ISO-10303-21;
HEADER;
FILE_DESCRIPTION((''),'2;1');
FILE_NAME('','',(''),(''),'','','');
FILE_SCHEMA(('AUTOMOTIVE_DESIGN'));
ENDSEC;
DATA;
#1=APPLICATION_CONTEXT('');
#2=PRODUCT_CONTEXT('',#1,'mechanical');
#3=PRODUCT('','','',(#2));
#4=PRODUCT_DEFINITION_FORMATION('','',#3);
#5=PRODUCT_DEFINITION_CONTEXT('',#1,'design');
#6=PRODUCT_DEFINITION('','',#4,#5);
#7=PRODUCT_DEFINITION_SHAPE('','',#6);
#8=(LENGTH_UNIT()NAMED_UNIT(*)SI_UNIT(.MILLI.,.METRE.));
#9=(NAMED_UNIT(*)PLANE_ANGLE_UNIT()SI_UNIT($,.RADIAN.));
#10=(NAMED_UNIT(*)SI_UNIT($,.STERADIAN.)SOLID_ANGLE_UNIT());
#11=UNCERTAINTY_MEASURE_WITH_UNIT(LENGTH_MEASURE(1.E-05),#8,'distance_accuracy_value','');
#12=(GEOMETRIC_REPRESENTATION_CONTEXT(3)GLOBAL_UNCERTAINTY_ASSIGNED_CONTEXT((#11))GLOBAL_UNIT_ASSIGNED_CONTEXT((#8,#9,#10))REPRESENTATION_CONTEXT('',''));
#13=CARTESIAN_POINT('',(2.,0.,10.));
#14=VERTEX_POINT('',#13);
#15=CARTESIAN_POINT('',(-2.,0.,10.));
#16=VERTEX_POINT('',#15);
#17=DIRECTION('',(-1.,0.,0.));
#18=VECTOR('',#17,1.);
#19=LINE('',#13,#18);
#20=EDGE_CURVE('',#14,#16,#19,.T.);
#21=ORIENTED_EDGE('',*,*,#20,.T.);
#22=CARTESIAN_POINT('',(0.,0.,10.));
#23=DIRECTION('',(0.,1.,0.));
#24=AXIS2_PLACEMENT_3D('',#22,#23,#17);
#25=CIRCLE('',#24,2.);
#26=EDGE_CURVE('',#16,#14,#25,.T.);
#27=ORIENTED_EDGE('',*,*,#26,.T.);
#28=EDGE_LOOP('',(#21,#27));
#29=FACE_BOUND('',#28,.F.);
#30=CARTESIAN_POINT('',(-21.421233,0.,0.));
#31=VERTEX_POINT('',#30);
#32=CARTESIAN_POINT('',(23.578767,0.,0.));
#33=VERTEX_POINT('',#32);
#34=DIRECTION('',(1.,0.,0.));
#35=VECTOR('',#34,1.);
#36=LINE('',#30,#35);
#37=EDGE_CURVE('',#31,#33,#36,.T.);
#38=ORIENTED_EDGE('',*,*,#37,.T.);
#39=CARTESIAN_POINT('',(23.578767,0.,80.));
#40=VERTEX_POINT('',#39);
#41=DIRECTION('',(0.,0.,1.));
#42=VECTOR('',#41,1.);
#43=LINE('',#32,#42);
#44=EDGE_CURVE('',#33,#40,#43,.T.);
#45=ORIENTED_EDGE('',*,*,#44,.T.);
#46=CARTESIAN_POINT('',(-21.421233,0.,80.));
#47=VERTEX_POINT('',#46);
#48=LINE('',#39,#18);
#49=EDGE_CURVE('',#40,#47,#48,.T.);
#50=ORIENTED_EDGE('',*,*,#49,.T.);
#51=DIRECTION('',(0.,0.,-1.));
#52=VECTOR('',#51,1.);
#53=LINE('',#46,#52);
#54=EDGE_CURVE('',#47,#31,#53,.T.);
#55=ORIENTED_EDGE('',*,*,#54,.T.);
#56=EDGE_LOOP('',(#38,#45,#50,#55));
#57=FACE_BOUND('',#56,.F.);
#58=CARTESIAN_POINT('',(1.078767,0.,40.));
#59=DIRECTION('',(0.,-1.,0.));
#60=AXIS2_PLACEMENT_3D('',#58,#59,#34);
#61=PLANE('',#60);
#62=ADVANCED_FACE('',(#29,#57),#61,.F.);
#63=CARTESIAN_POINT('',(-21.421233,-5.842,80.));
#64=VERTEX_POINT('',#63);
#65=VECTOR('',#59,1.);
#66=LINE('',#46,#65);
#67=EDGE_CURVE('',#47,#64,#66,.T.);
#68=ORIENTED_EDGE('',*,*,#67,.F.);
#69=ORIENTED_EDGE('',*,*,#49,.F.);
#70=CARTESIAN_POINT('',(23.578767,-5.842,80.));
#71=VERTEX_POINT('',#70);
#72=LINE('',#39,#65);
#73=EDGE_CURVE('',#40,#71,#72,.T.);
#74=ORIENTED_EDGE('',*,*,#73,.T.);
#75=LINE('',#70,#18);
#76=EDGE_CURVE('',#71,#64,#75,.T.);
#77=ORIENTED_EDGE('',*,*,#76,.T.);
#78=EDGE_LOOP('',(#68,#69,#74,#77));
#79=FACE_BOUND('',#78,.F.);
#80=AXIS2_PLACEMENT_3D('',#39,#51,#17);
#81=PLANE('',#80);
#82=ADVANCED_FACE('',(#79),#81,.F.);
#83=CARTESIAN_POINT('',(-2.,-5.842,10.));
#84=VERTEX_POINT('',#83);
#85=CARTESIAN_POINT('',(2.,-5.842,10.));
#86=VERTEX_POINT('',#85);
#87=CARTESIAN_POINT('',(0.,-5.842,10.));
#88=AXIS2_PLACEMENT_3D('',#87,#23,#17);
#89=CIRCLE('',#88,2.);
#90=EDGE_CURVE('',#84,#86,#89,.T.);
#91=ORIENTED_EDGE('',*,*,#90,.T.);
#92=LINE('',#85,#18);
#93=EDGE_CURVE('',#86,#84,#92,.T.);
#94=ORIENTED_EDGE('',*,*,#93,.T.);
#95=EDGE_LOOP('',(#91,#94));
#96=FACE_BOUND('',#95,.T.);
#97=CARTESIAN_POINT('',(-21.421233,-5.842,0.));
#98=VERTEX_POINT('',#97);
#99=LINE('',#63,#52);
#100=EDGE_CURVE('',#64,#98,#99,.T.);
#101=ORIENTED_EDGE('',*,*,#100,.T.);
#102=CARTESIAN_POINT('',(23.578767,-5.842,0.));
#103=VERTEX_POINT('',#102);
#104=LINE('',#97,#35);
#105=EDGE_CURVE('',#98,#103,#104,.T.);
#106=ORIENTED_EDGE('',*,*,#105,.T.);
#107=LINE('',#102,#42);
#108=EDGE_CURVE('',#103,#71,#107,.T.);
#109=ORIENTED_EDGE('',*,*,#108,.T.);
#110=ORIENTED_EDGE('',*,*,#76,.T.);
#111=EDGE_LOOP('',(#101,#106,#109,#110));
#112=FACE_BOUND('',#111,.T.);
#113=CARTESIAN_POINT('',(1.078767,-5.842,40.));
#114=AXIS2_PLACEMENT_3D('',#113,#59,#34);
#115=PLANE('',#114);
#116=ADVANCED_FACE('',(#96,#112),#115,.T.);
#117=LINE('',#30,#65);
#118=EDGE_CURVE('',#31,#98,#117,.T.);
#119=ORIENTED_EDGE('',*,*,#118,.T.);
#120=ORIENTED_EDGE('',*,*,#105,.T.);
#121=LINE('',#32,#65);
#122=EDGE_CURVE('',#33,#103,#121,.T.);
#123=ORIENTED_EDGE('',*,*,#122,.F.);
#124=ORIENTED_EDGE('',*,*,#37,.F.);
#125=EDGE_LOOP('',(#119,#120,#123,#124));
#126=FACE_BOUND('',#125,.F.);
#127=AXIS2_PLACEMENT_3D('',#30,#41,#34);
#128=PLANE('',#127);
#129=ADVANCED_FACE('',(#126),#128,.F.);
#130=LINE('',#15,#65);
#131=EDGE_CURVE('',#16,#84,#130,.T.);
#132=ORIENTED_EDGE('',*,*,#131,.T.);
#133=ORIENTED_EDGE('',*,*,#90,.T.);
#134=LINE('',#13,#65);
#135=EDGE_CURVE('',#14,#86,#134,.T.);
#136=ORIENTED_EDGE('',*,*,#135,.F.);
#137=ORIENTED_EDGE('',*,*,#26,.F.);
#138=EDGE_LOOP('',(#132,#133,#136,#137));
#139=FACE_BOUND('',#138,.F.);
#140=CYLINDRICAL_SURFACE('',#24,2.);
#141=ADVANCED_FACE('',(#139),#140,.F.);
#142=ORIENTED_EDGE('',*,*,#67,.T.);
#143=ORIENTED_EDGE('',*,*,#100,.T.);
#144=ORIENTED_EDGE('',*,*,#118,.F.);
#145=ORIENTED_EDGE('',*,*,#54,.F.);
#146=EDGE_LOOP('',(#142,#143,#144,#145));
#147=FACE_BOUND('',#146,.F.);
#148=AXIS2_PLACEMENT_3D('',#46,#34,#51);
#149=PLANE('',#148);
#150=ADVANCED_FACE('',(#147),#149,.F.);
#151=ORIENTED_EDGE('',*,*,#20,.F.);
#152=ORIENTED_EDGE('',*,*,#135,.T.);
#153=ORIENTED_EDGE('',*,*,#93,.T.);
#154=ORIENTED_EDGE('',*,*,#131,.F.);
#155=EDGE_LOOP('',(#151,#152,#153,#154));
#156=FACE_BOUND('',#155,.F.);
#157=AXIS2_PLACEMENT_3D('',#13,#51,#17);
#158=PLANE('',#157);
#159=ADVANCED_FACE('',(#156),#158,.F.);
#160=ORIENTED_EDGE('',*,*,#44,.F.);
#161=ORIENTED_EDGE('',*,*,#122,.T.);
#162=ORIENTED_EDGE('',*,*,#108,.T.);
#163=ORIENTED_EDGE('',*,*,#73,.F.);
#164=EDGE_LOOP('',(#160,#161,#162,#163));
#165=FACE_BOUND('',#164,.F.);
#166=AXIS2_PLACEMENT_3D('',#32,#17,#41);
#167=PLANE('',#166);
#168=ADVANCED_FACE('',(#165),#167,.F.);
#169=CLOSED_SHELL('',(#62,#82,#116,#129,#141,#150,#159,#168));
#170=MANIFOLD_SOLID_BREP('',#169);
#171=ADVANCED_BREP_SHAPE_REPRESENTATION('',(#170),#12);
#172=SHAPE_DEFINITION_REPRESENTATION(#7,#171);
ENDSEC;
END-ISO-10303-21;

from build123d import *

# Parameters (mm, degrees)
F1_DEPTH = 5.842


with BuildPart() as f1:
    # F0 (on Front) → F1 (new body)
    with BuildSketch(Plane.XZ):
        Polygon((23.578767, 80), (-21.421233, 80), (-21.421233, 0), (0.725202, 0), (23.578767, 0), align=None)
        with BuildLine():
            ThreePointArc((-2, 10), (0, 12), (2, 10))
            Line((2, 10), (-2, 10))
        make_face(mode=Mode.SUBTRACT)
    extrude(amount=F1_DEPTH)


solid = f1.part
